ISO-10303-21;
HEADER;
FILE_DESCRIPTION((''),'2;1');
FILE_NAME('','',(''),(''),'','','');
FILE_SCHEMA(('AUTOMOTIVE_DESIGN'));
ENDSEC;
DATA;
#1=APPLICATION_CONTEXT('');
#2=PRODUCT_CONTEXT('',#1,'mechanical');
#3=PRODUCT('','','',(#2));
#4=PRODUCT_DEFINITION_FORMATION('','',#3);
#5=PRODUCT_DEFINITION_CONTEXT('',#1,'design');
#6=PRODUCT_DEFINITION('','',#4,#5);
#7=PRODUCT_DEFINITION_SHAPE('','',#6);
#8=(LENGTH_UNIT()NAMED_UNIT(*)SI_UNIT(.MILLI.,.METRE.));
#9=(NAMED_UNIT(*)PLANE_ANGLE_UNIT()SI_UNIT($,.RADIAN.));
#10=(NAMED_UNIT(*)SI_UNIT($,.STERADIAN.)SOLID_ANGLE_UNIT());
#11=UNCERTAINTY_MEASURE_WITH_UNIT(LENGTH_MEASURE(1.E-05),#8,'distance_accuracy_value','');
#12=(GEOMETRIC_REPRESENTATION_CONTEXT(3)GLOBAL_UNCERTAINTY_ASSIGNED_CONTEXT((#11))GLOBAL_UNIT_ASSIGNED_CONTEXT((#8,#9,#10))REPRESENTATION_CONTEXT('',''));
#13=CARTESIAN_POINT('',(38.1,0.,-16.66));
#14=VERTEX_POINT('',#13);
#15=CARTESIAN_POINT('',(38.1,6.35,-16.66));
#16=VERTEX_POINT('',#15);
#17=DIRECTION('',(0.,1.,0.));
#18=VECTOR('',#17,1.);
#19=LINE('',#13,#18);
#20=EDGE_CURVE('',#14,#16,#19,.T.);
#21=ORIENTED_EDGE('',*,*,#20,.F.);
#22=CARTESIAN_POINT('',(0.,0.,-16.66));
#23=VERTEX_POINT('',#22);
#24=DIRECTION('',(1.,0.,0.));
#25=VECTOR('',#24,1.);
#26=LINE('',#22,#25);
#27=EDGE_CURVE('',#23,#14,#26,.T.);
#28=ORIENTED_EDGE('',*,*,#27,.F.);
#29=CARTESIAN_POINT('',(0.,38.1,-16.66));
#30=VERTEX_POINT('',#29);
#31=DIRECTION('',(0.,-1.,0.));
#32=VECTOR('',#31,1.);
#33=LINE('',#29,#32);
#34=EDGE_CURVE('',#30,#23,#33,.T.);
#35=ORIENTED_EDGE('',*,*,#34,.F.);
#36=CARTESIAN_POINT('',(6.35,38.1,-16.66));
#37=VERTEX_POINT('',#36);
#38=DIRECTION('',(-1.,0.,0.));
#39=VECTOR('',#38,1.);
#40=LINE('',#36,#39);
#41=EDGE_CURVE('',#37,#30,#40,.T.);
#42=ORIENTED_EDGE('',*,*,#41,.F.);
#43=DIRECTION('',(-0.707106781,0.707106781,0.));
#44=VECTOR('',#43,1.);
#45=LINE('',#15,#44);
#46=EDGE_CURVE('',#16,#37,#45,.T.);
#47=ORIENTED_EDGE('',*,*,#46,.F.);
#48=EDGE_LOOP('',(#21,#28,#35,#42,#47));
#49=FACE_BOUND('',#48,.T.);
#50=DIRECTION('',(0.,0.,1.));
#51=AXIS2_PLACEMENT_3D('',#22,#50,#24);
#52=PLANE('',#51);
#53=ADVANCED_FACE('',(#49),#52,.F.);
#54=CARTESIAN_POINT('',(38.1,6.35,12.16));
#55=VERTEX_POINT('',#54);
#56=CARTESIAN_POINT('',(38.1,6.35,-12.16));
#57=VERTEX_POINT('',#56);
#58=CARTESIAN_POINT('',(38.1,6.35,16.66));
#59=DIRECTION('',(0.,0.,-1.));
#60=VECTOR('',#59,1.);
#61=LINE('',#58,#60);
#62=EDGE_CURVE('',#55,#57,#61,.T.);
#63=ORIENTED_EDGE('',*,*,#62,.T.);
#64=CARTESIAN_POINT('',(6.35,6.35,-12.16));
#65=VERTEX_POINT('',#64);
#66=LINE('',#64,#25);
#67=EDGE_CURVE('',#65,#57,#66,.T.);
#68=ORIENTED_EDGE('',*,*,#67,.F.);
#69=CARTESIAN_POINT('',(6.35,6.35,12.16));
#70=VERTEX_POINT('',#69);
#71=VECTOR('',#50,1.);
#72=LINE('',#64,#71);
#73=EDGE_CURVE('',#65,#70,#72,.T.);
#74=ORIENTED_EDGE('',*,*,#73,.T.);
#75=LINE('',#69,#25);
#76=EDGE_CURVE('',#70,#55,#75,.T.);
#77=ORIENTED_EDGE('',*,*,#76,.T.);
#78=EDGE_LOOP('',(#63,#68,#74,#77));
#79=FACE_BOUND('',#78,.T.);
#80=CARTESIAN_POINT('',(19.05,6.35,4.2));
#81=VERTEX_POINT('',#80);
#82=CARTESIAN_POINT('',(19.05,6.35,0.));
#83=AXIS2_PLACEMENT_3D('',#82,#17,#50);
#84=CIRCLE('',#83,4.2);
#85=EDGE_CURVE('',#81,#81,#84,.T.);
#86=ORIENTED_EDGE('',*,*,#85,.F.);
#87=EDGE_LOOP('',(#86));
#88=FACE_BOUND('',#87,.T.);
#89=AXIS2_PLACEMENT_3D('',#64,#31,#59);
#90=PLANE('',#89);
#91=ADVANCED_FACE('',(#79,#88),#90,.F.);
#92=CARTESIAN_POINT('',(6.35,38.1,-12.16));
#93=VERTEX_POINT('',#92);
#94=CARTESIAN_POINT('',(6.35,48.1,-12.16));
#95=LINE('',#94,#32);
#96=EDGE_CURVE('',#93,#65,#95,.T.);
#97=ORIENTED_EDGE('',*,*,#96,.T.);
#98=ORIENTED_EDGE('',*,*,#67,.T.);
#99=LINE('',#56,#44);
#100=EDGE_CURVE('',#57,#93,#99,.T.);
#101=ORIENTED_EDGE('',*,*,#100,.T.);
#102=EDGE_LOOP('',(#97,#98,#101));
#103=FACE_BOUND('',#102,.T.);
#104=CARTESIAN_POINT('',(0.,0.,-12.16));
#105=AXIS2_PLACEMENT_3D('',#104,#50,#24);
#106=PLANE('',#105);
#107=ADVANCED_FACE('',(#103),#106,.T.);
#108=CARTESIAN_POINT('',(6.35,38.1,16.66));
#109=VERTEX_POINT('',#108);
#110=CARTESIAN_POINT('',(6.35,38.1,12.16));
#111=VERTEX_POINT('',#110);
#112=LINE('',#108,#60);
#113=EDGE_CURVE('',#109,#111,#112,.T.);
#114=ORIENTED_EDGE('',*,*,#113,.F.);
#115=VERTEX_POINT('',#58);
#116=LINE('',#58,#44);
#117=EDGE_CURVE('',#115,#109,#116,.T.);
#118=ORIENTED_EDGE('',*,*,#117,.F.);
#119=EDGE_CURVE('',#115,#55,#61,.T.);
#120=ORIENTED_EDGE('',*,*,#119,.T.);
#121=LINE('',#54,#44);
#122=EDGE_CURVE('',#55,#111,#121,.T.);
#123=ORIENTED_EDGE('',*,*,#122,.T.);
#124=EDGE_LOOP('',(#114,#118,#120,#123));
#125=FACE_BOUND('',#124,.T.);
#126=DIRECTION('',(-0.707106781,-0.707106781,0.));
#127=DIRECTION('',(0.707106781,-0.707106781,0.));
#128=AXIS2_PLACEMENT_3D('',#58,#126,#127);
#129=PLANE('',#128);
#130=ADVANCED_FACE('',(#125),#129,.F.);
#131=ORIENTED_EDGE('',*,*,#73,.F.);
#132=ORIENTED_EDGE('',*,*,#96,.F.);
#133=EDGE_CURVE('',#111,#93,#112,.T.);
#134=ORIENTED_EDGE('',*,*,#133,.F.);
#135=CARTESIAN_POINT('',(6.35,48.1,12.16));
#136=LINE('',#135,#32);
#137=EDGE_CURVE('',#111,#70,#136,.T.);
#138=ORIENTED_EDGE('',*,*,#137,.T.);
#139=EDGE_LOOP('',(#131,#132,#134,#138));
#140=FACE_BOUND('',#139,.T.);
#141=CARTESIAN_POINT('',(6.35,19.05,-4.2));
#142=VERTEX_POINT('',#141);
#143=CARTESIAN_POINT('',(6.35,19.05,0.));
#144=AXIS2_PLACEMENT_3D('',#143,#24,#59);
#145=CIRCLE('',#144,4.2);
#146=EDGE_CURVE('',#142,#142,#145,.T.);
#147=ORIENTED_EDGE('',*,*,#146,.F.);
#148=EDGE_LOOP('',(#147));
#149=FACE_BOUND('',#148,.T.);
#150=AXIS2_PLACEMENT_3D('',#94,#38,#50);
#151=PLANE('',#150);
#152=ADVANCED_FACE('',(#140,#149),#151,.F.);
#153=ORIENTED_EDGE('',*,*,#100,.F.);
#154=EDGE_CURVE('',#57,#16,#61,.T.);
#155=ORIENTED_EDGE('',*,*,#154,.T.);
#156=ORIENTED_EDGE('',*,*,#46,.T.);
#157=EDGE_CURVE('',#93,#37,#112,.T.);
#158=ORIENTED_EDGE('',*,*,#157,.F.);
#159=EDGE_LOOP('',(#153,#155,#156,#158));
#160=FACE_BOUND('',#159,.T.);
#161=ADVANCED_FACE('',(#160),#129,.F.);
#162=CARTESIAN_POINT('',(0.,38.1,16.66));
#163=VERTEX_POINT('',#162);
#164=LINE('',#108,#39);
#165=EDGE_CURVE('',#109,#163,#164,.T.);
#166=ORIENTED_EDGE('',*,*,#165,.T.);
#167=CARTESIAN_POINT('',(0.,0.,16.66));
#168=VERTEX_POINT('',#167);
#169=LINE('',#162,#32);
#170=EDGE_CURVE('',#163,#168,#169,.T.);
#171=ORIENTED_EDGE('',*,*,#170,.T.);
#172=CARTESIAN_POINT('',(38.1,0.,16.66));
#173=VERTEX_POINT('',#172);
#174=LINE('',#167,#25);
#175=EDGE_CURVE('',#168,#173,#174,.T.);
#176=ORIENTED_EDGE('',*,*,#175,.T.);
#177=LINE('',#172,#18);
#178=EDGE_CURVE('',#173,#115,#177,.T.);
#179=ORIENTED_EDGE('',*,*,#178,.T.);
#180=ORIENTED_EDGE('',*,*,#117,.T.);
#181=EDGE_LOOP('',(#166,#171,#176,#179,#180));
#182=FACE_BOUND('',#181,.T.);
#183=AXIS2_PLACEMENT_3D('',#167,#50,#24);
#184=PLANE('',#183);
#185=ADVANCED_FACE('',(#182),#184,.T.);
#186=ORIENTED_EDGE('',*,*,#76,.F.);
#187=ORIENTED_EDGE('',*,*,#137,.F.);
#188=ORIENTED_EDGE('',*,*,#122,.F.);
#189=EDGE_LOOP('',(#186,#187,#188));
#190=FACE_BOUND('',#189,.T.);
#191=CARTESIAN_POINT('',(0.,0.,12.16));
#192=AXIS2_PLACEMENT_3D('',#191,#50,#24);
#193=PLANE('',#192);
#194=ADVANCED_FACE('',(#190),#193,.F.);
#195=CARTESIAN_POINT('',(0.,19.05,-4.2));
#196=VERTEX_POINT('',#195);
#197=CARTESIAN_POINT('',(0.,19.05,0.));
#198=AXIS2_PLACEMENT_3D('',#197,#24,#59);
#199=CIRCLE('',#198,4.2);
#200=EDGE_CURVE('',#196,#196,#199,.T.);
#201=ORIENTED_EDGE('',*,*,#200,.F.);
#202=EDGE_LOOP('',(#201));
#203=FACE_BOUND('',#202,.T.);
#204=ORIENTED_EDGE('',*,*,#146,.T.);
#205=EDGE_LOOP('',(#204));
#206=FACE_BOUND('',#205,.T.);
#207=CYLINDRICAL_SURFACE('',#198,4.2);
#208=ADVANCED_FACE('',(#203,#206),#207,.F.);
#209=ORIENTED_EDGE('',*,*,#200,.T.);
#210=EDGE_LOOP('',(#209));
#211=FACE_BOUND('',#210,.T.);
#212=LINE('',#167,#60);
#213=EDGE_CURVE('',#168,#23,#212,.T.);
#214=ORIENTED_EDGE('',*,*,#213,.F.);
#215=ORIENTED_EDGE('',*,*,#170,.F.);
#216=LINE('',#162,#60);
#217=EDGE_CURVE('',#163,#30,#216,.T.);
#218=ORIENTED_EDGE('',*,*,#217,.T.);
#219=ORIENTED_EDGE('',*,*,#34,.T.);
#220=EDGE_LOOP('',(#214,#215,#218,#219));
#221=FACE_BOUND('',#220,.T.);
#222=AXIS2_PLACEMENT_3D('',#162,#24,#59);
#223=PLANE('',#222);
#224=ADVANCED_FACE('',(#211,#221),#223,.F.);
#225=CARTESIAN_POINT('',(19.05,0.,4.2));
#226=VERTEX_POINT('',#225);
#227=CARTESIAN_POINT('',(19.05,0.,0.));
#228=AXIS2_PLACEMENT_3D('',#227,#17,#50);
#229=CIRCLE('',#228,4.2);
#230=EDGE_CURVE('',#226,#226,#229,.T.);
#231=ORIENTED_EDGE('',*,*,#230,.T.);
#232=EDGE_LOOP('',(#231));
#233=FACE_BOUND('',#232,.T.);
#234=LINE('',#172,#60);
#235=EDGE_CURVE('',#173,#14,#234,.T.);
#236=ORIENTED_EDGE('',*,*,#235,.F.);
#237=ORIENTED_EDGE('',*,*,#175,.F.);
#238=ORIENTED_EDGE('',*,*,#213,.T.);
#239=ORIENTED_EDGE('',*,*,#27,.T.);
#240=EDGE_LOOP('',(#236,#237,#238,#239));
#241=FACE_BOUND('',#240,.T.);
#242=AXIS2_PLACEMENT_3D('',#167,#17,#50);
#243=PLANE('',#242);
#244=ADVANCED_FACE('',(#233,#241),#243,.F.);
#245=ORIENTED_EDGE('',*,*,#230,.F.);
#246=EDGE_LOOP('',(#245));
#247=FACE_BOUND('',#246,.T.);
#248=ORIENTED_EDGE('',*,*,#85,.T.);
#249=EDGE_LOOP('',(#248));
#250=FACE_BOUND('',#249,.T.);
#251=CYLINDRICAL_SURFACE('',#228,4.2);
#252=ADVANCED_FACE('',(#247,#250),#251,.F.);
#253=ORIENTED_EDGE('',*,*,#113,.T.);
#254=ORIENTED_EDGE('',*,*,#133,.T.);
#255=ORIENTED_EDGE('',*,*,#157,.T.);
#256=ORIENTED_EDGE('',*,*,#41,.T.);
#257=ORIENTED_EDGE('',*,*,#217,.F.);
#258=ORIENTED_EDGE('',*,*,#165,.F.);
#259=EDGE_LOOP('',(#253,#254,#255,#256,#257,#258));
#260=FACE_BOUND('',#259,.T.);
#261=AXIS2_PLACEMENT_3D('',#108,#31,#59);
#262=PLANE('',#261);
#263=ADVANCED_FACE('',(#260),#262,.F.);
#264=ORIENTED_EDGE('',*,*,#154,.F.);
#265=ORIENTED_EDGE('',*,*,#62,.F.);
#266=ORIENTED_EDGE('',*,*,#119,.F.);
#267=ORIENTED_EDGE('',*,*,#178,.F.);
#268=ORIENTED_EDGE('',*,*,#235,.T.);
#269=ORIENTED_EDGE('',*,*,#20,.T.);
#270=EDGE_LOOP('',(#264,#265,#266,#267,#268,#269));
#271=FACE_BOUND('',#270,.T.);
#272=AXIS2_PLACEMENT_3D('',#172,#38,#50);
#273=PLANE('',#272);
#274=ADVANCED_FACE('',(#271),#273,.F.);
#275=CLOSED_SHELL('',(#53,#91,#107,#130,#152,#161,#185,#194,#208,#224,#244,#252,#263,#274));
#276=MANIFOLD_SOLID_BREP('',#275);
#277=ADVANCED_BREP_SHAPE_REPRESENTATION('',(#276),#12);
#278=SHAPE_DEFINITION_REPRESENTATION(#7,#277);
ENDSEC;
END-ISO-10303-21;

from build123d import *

# Parameters (mm, degrees)
BODY_DEPTH   = 33.32
POCKET_DEPTH = 24.32
SKETCH3_R    = 4.2
HOLESX_DEPTH = 6.35
SKETCH4_R    = 4.2
HOLESY_DEPTH = 6.35


with BuildPart() as part:
    # Sketch1 → Body (new body)
    with BuildSketch(Plane.XY.offset(-16.66)):
        Polygon((0, 0), (38.1, 0), (38.1, 6.35), (6.35, 38.1), (0, 38.1), align=None)
    extrude(amount=BODY_DEPTH)

    # Sketch2 → Pocket (cut)
    with BuildSketch(Plane.XY.offset(12.16)):
        Polygon((6.35, 6.35), (48.1, 6.35), (6.35, 48.1), align=None)
    extrude(amount=-POCKET_DEPTH, mode=Mode.SUBTRACT)

    # Sketch3 → HolesX (cut)
    with BuildSketch(Plane(origin=(0, 6.35, 0), x_dir=(1, 0, 0), z_dir=(0, 1, 0))):
        with Locations(Location((19.05, 0, 0), (0, 0, 270))):
            Circle(SKETCH3_R)
    extrude(amount=-HOLESX_DEPTH, mode=Mode.SUBTRACT)

    # Sketch4 → HolesY (cut)
    with BuildSketch(Plane(origin=(6.35, 0, 0), x_dir=(0, 0, -1), z_dir=(1, 0, 0))):
        with Locations((0, 19.05)):
            Circle(SKETCH4_R)
    extrude(amount=-HOLESY_DEPTH, mode=Mode.SUBTRACT)


solid = part.part
